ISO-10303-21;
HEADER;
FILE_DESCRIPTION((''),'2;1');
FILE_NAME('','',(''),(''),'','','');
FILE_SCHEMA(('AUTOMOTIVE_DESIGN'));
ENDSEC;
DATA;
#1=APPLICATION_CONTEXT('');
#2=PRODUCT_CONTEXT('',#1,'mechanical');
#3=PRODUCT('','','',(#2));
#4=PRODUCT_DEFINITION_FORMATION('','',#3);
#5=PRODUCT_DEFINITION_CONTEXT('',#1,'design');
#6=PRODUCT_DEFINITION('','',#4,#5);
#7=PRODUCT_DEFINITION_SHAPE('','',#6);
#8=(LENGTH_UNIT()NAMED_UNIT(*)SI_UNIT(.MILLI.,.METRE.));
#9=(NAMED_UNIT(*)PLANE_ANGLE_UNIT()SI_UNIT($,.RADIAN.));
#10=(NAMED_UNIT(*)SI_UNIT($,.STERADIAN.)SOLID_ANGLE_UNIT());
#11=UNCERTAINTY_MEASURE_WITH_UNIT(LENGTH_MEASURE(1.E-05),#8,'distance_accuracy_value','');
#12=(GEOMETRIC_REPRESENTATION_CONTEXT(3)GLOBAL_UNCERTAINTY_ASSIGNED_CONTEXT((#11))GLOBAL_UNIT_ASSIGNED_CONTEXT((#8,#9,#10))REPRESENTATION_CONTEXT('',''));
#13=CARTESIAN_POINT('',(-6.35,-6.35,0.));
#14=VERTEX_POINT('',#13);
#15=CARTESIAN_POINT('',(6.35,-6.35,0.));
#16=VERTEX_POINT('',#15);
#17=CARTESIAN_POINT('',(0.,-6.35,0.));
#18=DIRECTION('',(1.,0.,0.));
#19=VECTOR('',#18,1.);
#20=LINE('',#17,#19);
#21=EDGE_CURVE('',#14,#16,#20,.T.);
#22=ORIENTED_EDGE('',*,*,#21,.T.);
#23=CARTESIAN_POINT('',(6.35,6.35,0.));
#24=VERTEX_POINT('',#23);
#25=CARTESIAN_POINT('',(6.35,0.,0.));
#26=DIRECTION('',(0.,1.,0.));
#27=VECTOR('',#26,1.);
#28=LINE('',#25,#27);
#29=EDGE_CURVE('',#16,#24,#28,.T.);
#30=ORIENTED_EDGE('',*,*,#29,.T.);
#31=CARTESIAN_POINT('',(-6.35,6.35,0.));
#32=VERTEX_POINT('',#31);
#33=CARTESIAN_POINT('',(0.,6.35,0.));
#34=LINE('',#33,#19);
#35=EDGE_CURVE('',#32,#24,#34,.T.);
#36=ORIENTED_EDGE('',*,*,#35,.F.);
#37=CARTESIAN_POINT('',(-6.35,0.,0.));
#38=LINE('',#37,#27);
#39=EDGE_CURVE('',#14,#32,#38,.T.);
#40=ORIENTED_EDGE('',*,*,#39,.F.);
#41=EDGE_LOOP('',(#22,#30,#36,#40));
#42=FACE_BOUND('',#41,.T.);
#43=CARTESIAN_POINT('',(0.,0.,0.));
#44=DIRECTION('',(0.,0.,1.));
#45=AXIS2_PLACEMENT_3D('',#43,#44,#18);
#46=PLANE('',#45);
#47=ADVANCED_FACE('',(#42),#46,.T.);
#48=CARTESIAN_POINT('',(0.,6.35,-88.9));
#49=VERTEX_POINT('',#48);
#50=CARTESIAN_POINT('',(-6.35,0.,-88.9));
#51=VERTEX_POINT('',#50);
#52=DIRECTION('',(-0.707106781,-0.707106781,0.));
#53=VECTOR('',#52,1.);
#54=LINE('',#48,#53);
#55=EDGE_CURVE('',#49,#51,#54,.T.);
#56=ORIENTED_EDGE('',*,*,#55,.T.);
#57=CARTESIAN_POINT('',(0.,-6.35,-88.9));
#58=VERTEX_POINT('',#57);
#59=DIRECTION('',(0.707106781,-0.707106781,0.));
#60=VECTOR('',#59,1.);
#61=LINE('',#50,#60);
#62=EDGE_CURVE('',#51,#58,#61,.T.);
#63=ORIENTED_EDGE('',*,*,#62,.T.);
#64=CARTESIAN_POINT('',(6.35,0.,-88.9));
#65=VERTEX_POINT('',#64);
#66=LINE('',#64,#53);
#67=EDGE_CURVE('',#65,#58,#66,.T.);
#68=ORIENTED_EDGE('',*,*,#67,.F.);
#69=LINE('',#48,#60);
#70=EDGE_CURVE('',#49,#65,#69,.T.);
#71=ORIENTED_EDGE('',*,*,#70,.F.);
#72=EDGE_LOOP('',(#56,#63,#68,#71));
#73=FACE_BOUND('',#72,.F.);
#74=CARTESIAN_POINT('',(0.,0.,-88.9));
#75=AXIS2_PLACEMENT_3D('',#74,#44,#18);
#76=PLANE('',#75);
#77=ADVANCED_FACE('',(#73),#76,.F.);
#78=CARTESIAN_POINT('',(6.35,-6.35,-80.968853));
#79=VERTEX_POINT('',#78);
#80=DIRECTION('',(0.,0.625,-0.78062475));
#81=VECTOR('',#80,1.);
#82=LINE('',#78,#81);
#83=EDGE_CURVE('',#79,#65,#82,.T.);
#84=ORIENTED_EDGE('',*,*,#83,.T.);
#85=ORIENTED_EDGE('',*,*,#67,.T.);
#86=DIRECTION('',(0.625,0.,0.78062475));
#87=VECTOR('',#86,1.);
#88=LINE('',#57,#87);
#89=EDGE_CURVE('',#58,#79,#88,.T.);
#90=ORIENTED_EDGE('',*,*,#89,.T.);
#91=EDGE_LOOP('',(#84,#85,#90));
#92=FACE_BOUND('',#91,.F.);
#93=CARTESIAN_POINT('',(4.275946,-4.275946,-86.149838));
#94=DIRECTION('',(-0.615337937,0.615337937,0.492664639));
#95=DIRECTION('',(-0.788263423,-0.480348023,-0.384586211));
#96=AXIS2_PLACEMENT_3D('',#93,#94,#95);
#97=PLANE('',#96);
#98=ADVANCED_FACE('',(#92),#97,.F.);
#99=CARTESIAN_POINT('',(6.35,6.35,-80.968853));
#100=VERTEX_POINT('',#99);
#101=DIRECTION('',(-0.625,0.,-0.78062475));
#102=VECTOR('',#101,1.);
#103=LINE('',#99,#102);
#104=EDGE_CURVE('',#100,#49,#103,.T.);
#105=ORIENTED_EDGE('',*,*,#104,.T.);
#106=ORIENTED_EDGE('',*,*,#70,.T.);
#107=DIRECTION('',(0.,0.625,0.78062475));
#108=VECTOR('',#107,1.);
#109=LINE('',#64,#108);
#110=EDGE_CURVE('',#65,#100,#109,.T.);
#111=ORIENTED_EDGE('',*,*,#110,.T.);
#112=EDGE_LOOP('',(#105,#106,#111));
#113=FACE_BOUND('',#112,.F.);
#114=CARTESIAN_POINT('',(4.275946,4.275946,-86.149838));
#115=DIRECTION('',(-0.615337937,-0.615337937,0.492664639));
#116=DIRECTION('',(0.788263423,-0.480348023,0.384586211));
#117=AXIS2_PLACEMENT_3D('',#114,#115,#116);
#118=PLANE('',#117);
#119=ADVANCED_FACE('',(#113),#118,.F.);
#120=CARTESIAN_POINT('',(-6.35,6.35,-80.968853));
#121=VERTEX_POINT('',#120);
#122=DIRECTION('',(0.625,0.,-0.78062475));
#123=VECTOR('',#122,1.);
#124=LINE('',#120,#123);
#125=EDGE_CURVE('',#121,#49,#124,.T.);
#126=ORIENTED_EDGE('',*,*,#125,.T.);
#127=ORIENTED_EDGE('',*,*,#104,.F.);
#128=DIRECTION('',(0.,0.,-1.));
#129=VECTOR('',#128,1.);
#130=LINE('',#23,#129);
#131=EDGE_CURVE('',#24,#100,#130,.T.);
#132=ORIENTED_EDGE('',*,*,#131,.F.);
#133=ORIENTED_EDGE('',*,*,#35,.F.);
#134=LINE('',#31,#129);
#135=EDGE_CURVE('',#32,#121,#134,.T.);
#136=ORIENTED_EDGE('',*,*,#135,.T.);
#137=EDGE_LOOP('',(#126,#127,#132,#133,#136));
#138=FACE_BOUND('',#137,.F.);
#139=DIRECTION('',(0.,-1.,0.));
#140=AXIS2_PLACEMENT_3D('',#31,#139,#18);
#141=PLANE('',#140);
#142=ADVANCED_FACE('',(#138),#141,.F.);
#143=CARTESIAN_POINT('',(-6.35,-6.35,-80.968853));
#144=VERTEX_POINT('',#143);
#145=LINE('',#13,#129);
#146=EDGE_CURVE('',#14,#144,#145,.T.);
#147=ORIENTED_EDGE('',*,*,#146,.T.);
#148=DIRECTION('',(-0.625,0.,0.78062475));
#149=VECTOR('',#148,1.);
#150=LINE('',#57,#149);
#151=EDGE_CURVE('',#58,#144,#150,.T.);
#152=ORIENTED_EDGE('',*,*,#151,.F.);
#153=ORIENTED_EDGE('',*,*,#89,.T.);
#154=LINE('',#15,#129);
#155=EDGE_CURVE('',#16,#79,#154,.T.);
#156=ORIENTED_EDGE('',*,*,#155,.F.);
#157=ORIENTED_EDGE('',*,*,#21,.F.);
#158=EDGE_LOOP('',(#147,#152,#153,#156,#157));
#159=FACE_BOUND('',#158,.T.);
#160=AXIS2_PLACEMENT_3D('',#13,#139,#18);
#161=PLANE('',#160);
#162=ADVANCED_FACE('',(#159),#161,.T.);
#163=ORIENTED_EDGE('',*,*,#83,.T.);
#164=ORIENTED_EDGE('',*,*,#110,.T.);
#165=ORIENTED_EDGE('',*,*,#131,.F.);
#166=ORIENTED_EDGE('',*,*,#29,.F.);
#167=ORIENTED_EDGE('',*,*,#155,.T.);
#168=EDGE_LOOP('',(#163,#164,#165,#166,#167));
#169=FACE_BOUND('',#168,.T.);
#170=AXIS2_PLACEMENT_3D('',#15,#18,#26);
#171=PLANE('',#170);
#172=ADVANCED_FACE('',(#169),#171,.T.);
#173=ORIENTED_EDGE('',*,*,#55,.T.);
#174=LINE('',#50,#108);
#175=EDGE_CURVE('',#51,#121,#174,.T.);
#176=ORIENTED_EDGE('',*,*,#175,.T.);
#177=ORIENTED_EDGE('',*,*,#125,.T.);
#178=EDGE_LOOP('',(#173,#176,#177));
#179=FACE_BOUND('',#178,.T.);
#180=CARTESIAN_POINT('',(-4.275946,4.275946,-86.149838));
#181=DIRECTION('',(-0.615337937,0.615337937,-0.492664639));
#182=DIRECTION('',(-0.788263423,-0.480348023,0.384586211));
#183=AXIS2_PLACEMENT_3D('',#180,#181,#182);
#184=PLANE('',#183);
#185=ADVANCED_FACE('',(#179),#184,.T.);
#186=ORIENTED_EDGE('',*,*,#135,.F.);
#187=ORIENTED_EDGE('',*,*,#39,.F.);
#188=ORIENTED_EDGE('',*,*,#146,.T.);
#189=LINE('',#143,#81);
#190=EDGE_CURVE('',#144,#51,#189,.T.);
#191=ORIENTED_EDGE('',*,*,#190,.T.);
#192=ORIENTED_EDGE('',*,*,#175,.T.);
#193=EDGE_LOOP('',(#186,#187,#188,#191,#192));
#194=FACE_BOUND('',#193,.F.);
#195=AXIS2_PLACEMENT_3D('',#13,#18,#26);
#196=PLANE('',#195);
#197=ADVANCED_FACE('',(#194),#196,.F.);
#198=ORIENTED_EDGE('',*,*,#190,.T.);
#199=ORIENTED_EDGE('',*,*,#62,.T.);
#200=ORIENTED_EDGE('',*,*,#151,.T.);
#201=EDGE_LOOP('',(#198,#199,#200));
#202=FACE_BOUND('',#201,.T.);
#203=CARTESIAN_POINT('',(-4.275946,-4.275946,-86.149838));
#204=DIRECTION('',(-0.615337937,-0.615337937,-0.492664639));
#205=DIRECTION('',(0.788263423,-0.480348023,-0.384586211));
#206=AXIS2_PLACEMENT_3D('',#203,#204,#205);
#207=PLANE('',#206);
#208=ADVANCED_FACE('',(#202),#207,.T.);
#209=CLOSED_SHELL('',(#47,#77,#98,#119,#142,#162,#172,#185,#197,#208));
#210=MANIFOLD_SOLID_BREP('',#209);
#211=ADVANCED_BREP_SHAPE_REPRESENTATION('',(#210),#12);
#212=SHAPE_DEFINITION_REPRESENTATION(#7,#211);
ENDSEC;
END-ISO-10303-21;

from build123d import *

# Parameters (mm, degrees)
F0_W      = 12.7
F0_H      = 12.7
F1_DEPTH  = 88.9
F15_DEPTH = 25.4
F16_DEPTH = 25.4
F17_DEPTH = 25.4
F18_DEPTH = 25.4


with BuildPart() as f1:
    # F0 (on Top) → F1 (new body)
    with BuildSketch(Plane.XY):
        Rectangle(F0_W, F0_H)
    extrude(amount=-F1_DEPTH)

    # F11 (on 3pt) → F15 (cut)
    with BuildSketch(Plane(origin=(-29.3548700028, 29.3548700028, -23.5027056937), x_dir=(-0.7882634225, -0.4803480231, 0.3845862106), z_dir=(-0.615337937, 0.615337937, -0.4926646391))):
        Polygon((-29.1842413909, -69.3975402572), (-29.1842413909, -59.2375402572), (-37.2399240707, -65.4287902572), align=None)
    extrude(amount=F15_DEPTH, mode=Mode.SUBTRACT)

    # F12 (on 3pt) → F16 (cut)
    with BuildSketch(Plane(origin=(-29.3548700028, -29.3548700028, -23.5027056937), x_dir=(0.7882634225, -0.4803480231, -0.3845862106), z_dir=(-0.615337937, -0.615337937, -0.4926646391))):
        Polygon((37.2399240707, -65.4287902572), (29.1842413909, -59.2375402572), (29.1842413909, -69.3975402572), align=None)
    extrude(amount=F16_DEPTH, mode=Mode.SUBTRACT)

    # F13 (on 3pt) → F17 (cut)
    with BuildSketch(Plane(origin=(29.3548700028, -29.3548700028, -23.5027056937), x_dir=(-0.7882634225, -0.4803480231, -0.3845862106), z_dir=(-0.615337937, 0.615337937, 0.4926646391))):
        Polygon((29.1842413909, -59.2375402572), (29.1842413909, -69.3975402572), (37.2399240707, -65.4287902572), align=None)
    extrude(amount=-F17_DEPTH, mode=Mode.SUBTRACT)

    # F14 (on 3pt) → F18 (cut)
    with BuildSketch(Plane(origin=(29.3548700028, 29.3548700028, -23.5027056937), x_dir=(0.7882634225, -0.4803480231, 0.3845862106), z_dir=(-0.615337937, -0.615337937, 0.4926646391))):
        Polygon((-29.1842413909, -69.3975402572), (-29.1842413909, -59.2375402572), (-37.2399240707, -65.4287902572), align=None)
    extrude(amount=-F18_DEPTH, mode=Mode.SUBTRACT)


solid = f1.part
